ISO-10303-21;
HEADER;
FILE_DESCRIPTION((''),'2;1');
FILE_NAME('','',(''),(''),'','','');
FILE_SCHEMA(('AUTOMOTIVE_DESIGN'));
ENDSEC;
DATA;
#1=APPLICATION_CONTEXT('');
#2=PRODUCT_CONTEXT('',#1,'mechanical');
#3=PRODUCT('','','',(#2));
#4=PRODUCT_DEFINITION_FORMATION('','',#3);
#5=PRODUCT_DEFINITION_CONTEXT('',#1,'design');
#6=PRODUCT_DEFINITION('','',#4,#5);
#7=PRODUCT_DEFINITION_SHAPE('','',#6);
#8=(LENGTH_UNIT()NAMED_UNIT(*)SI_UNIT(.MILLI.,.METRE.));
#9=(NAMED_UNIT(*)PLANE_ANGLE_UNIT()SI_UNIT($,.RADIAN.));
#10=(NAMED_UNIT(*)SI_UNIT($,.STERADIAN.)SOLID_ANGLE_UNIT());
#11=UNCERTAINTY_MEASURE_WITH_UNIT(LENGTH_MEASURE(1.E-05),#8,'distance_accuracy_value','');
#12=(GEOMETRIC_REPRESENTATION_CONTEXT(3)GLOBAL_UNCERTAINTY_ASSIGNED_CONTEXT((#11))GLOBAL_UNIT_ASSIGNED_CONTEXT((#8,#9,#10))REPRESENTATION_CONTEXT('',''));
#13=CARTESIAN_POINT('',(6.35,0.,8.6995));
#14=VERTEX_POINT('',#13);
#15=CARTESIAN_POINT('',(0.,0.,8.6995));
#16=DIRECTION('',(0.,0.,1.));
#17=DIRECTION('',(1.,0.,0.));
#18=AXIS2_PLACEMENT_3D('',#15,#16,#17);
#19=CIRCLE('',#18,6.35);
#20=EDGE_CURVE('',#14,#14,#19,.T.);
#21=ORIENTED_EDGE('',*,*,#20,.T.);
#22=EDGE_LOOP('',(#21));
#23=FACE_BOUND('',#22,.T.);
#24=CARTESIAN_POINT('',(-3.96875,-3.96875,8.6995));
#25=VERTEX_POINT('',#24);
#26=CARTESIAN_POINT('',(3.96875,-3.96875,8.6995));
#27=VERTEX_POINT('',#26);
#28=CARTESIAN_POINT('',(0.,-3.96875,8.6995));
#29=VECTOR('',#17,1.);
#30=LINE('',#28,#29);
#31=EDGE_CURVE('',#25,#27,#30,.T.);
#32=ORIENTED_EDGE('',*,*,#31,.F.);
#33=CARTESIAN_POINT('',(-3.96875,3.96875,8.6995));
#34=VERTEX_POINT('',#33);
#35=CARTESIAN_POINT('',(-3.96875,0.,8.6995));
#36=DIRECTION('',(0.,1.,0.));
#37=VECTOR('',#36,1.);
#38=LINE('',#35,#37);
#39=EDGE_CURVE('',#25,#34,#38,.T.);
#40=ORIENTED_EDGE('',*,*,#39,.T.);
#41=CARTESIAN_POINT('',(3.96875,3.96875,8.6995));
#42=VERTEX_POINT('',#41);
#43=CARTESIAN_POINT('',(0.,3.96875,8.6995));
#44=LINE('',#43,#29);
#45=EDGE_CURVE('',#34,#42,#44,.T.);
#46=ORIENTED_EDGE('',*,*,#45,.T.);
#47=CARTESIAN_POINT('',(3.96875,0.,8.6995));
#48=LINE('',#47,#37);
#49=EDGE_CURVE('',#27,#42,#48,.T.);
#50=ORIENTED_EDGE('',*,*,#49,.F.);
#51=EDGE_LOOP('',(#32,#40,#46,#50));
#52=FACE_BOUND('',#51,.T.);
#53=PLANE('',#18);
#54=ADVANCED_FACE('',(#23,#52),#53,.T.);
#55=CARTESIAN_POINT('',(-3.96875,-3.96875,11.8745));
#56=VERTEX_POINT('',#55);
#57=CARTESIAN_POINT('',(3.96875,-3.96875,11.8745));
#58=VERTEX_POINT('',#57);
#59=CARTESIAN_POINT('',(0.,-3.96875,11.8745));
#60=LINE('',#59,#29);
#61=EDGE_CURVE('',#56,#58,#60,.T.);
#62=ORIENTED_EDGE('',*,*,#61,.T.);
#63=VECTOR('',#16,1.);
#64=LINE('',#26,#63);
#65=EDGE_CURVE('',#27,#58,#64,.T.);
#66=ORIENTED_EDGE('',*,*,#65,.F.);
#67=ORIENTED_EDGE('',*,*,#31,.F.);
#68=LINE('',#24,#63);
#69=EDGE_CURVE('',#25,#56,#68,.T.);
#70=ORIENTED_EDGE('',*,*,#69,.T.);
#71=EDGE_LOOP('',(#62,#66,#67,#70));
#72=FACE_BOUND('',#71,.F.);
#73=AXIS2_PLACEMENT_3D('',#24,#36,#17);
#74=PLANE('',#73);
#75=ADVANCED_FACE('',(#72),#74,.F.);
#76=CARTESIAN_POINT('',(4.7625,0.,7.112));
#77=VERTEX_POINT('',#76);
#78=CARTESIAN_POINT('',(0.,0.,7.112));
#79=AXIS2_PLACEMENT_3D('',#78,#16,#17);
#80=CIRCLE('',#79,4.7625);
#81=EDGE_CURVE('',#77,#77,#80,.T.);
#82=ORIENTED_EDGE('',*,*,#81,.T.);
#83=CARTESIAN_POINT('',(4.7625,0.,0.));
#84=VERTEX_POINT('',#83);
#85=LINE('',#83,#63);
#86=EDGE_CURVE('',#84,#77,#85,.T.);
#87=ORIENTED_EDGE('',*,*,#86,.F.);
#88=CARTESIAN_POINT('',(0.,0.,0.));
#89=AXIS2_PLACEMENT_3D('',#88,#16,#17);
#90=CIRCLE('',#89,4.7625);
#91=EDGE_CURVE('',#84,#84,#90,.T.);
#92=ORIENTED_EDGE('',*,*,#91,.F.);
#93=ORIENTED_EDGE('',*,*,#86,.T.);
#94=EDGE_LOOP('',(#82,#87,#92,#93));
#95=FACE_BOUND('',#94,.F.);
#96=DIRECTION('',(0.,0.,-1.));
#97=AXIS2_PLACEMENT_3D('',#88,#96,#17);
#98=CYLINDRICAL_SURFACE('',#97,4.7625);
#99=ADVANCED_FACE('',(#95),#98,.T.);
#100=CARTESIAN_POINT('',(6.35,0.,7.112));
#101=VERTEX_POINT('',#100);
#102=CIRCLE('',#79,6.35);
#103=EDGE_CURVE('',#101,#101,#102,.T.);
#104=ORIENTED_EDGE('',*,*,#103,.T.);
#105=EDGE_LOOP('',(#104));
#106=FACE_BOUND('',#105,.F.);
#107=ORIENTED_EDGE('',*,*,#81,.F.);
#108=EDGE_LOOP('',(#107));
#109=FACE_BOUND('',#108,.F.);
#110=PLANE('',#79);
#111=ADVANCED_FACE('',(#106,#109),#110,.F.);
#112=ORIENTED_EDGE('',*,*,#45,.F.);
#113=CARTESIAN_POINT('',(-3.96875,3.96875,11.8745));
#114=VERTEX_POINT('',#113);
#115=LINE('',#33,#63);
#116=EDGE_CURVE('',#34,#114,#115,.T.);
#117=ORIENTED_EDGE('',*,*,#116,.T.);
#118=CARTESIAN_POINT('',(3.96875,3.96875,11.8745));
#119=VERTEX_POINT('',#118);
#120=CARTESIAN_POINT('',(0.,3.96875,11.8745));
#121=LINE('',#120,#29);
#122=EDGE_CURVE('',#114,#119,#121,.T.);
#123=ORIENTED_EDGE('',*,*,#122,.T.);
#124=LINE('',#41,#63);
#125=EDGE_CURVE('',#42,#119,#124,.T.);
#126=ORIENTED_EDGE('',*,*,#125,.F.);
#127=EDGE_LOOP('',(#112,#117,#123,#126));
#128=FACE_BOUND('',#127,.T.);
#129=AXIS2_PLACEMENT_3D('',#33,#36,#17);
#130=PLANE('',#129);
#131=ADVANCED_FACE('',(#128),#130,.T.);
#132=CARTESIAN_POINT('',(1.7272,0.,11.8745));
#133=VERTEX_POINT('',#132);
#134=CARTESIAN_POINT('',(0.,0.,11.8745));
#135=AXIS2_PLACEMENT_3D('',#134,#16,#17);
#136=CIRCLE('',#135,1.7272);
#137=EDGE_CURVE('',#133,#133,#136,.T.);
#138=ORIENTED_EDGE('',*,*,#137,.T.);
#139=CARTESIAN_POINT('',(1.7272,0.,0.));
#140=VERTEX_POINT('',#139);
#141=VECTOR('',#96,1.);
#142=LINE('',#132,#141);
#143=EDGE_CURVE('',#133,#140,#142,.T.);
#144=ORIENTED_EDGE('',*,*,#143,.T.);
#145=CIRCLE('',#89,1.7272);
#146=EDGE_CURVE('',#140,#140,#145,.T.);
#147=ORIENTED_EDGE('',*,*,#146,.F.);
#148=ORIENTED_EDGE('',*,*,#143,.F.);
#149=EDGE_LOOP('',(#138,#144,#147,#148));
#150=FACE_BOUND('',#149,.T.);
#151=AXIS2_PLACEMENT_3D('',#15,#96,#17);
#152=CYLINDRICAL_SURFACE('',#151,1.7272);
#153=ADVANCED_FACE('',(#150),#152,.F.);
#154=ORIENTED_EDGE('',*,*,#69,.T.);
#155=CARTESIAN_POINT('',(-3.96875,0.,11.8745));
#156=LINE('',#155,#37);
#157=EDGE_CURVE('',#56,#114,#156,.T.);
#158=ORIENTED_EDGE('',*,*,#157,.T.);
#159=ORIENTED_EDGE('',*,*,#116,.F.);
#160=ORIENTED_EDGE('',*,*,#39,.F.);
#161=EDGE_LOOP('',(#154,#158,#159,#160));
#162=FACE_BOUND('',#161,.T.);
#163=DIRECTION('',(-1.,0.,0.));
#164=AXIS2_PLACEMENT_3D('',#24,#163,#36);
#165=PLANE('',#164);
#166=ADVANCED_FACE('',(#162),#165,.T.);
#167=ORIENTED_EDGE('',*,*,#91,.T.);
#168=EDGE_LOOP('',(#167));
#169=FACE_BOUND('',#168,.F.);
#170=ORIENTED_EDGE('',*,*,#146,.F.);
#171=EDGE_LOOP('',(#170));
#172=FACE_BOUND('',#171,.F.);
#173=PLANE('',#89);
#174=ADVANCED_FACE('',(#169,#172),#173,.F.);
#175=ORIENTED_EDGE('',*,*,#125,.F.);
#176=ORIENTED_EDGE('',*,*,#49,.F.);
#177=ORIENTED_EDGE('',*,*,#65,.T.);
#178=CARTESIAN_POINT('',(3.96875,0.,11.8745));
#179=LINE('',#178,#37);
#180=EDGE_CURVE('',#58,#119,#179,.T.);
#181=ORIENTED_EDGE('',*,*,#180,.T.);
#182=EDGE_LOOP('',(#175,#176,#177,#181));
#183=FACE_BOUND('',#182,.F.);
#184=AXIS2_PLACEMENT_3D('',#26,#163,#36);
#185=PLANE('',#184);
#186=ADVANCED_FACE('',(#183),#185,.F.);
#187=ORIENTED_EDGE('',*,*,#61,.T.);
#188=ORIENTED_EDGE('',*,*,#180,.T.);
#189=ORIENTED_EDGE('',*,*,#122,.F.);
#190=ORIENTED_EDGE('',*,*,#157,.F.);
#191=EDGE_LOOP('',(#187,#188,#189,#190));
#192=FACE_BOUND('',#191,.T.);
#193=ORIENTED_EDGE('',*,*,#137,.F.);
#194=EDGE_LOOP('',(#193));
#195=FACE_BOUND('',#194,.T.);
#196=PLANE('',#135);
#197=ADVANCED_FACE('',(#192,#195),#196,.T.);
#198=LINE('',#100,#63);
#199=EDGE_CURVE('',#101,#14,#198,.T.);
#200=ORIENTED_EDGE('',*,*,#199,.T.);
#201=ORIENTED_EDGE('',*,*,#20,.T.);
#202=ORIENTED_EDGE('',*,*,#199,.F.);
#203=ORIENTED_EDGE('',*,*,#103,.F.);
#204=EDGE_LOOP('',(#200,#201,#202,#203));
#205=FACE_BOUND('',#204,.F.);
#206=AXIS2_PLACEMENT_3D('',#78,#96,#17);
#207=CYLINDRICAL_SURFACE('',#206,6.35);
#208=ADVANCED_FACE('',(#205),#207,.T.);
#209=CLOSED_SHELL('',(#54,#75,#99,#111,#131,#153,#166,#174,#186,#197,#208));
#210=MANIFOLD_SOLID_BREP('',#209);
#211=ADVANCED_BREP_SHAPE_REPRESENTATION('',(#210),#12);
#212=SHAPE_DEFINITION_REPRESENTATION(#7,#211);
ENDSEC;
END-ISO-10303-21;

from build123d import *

# Parameters (mm, degrees)
F0_R     = 4.7625
F0_R_2   = 1.7272
F1_DEPTH = 7.112
F2_R     = 6.35
F2_R_2   = 1.7272
F3_DEPTH = 1.5875
F4_W     = 7.9375
F4_H     = 7.9375
F4_R     = 1.7272
F5_DEPTH = 3.175


with BuildPart() as f1:
    # F0 (on Top) → F1 (new body)
    with BuildSketch(Plane.XY):
        Circle(F0_R)
        Circle(F0_R_2, mode=Mode.SUBTRACT)
    extrude(amount=F1_DEPTH)

    # F2 (on face) → F3 (join)
    with BuildSketch(Plane.XY.offset(7.112)):
        Circle(F2_R)
        Circle(F2_R_2, mode=Mode.SUBTRACT)
    extrude(amount=F3_DEPTH)

    # F4 (on face) → F5 (join)
    with BuildSketch(Plane.XY.offset(8.6995)):
        Rectangle(F4_W, F4_H)
        Circle(F4_R, mode=Mode.SUBTRACT)
    extrude(amount=F5_DEPTH)


solid = f1.part
